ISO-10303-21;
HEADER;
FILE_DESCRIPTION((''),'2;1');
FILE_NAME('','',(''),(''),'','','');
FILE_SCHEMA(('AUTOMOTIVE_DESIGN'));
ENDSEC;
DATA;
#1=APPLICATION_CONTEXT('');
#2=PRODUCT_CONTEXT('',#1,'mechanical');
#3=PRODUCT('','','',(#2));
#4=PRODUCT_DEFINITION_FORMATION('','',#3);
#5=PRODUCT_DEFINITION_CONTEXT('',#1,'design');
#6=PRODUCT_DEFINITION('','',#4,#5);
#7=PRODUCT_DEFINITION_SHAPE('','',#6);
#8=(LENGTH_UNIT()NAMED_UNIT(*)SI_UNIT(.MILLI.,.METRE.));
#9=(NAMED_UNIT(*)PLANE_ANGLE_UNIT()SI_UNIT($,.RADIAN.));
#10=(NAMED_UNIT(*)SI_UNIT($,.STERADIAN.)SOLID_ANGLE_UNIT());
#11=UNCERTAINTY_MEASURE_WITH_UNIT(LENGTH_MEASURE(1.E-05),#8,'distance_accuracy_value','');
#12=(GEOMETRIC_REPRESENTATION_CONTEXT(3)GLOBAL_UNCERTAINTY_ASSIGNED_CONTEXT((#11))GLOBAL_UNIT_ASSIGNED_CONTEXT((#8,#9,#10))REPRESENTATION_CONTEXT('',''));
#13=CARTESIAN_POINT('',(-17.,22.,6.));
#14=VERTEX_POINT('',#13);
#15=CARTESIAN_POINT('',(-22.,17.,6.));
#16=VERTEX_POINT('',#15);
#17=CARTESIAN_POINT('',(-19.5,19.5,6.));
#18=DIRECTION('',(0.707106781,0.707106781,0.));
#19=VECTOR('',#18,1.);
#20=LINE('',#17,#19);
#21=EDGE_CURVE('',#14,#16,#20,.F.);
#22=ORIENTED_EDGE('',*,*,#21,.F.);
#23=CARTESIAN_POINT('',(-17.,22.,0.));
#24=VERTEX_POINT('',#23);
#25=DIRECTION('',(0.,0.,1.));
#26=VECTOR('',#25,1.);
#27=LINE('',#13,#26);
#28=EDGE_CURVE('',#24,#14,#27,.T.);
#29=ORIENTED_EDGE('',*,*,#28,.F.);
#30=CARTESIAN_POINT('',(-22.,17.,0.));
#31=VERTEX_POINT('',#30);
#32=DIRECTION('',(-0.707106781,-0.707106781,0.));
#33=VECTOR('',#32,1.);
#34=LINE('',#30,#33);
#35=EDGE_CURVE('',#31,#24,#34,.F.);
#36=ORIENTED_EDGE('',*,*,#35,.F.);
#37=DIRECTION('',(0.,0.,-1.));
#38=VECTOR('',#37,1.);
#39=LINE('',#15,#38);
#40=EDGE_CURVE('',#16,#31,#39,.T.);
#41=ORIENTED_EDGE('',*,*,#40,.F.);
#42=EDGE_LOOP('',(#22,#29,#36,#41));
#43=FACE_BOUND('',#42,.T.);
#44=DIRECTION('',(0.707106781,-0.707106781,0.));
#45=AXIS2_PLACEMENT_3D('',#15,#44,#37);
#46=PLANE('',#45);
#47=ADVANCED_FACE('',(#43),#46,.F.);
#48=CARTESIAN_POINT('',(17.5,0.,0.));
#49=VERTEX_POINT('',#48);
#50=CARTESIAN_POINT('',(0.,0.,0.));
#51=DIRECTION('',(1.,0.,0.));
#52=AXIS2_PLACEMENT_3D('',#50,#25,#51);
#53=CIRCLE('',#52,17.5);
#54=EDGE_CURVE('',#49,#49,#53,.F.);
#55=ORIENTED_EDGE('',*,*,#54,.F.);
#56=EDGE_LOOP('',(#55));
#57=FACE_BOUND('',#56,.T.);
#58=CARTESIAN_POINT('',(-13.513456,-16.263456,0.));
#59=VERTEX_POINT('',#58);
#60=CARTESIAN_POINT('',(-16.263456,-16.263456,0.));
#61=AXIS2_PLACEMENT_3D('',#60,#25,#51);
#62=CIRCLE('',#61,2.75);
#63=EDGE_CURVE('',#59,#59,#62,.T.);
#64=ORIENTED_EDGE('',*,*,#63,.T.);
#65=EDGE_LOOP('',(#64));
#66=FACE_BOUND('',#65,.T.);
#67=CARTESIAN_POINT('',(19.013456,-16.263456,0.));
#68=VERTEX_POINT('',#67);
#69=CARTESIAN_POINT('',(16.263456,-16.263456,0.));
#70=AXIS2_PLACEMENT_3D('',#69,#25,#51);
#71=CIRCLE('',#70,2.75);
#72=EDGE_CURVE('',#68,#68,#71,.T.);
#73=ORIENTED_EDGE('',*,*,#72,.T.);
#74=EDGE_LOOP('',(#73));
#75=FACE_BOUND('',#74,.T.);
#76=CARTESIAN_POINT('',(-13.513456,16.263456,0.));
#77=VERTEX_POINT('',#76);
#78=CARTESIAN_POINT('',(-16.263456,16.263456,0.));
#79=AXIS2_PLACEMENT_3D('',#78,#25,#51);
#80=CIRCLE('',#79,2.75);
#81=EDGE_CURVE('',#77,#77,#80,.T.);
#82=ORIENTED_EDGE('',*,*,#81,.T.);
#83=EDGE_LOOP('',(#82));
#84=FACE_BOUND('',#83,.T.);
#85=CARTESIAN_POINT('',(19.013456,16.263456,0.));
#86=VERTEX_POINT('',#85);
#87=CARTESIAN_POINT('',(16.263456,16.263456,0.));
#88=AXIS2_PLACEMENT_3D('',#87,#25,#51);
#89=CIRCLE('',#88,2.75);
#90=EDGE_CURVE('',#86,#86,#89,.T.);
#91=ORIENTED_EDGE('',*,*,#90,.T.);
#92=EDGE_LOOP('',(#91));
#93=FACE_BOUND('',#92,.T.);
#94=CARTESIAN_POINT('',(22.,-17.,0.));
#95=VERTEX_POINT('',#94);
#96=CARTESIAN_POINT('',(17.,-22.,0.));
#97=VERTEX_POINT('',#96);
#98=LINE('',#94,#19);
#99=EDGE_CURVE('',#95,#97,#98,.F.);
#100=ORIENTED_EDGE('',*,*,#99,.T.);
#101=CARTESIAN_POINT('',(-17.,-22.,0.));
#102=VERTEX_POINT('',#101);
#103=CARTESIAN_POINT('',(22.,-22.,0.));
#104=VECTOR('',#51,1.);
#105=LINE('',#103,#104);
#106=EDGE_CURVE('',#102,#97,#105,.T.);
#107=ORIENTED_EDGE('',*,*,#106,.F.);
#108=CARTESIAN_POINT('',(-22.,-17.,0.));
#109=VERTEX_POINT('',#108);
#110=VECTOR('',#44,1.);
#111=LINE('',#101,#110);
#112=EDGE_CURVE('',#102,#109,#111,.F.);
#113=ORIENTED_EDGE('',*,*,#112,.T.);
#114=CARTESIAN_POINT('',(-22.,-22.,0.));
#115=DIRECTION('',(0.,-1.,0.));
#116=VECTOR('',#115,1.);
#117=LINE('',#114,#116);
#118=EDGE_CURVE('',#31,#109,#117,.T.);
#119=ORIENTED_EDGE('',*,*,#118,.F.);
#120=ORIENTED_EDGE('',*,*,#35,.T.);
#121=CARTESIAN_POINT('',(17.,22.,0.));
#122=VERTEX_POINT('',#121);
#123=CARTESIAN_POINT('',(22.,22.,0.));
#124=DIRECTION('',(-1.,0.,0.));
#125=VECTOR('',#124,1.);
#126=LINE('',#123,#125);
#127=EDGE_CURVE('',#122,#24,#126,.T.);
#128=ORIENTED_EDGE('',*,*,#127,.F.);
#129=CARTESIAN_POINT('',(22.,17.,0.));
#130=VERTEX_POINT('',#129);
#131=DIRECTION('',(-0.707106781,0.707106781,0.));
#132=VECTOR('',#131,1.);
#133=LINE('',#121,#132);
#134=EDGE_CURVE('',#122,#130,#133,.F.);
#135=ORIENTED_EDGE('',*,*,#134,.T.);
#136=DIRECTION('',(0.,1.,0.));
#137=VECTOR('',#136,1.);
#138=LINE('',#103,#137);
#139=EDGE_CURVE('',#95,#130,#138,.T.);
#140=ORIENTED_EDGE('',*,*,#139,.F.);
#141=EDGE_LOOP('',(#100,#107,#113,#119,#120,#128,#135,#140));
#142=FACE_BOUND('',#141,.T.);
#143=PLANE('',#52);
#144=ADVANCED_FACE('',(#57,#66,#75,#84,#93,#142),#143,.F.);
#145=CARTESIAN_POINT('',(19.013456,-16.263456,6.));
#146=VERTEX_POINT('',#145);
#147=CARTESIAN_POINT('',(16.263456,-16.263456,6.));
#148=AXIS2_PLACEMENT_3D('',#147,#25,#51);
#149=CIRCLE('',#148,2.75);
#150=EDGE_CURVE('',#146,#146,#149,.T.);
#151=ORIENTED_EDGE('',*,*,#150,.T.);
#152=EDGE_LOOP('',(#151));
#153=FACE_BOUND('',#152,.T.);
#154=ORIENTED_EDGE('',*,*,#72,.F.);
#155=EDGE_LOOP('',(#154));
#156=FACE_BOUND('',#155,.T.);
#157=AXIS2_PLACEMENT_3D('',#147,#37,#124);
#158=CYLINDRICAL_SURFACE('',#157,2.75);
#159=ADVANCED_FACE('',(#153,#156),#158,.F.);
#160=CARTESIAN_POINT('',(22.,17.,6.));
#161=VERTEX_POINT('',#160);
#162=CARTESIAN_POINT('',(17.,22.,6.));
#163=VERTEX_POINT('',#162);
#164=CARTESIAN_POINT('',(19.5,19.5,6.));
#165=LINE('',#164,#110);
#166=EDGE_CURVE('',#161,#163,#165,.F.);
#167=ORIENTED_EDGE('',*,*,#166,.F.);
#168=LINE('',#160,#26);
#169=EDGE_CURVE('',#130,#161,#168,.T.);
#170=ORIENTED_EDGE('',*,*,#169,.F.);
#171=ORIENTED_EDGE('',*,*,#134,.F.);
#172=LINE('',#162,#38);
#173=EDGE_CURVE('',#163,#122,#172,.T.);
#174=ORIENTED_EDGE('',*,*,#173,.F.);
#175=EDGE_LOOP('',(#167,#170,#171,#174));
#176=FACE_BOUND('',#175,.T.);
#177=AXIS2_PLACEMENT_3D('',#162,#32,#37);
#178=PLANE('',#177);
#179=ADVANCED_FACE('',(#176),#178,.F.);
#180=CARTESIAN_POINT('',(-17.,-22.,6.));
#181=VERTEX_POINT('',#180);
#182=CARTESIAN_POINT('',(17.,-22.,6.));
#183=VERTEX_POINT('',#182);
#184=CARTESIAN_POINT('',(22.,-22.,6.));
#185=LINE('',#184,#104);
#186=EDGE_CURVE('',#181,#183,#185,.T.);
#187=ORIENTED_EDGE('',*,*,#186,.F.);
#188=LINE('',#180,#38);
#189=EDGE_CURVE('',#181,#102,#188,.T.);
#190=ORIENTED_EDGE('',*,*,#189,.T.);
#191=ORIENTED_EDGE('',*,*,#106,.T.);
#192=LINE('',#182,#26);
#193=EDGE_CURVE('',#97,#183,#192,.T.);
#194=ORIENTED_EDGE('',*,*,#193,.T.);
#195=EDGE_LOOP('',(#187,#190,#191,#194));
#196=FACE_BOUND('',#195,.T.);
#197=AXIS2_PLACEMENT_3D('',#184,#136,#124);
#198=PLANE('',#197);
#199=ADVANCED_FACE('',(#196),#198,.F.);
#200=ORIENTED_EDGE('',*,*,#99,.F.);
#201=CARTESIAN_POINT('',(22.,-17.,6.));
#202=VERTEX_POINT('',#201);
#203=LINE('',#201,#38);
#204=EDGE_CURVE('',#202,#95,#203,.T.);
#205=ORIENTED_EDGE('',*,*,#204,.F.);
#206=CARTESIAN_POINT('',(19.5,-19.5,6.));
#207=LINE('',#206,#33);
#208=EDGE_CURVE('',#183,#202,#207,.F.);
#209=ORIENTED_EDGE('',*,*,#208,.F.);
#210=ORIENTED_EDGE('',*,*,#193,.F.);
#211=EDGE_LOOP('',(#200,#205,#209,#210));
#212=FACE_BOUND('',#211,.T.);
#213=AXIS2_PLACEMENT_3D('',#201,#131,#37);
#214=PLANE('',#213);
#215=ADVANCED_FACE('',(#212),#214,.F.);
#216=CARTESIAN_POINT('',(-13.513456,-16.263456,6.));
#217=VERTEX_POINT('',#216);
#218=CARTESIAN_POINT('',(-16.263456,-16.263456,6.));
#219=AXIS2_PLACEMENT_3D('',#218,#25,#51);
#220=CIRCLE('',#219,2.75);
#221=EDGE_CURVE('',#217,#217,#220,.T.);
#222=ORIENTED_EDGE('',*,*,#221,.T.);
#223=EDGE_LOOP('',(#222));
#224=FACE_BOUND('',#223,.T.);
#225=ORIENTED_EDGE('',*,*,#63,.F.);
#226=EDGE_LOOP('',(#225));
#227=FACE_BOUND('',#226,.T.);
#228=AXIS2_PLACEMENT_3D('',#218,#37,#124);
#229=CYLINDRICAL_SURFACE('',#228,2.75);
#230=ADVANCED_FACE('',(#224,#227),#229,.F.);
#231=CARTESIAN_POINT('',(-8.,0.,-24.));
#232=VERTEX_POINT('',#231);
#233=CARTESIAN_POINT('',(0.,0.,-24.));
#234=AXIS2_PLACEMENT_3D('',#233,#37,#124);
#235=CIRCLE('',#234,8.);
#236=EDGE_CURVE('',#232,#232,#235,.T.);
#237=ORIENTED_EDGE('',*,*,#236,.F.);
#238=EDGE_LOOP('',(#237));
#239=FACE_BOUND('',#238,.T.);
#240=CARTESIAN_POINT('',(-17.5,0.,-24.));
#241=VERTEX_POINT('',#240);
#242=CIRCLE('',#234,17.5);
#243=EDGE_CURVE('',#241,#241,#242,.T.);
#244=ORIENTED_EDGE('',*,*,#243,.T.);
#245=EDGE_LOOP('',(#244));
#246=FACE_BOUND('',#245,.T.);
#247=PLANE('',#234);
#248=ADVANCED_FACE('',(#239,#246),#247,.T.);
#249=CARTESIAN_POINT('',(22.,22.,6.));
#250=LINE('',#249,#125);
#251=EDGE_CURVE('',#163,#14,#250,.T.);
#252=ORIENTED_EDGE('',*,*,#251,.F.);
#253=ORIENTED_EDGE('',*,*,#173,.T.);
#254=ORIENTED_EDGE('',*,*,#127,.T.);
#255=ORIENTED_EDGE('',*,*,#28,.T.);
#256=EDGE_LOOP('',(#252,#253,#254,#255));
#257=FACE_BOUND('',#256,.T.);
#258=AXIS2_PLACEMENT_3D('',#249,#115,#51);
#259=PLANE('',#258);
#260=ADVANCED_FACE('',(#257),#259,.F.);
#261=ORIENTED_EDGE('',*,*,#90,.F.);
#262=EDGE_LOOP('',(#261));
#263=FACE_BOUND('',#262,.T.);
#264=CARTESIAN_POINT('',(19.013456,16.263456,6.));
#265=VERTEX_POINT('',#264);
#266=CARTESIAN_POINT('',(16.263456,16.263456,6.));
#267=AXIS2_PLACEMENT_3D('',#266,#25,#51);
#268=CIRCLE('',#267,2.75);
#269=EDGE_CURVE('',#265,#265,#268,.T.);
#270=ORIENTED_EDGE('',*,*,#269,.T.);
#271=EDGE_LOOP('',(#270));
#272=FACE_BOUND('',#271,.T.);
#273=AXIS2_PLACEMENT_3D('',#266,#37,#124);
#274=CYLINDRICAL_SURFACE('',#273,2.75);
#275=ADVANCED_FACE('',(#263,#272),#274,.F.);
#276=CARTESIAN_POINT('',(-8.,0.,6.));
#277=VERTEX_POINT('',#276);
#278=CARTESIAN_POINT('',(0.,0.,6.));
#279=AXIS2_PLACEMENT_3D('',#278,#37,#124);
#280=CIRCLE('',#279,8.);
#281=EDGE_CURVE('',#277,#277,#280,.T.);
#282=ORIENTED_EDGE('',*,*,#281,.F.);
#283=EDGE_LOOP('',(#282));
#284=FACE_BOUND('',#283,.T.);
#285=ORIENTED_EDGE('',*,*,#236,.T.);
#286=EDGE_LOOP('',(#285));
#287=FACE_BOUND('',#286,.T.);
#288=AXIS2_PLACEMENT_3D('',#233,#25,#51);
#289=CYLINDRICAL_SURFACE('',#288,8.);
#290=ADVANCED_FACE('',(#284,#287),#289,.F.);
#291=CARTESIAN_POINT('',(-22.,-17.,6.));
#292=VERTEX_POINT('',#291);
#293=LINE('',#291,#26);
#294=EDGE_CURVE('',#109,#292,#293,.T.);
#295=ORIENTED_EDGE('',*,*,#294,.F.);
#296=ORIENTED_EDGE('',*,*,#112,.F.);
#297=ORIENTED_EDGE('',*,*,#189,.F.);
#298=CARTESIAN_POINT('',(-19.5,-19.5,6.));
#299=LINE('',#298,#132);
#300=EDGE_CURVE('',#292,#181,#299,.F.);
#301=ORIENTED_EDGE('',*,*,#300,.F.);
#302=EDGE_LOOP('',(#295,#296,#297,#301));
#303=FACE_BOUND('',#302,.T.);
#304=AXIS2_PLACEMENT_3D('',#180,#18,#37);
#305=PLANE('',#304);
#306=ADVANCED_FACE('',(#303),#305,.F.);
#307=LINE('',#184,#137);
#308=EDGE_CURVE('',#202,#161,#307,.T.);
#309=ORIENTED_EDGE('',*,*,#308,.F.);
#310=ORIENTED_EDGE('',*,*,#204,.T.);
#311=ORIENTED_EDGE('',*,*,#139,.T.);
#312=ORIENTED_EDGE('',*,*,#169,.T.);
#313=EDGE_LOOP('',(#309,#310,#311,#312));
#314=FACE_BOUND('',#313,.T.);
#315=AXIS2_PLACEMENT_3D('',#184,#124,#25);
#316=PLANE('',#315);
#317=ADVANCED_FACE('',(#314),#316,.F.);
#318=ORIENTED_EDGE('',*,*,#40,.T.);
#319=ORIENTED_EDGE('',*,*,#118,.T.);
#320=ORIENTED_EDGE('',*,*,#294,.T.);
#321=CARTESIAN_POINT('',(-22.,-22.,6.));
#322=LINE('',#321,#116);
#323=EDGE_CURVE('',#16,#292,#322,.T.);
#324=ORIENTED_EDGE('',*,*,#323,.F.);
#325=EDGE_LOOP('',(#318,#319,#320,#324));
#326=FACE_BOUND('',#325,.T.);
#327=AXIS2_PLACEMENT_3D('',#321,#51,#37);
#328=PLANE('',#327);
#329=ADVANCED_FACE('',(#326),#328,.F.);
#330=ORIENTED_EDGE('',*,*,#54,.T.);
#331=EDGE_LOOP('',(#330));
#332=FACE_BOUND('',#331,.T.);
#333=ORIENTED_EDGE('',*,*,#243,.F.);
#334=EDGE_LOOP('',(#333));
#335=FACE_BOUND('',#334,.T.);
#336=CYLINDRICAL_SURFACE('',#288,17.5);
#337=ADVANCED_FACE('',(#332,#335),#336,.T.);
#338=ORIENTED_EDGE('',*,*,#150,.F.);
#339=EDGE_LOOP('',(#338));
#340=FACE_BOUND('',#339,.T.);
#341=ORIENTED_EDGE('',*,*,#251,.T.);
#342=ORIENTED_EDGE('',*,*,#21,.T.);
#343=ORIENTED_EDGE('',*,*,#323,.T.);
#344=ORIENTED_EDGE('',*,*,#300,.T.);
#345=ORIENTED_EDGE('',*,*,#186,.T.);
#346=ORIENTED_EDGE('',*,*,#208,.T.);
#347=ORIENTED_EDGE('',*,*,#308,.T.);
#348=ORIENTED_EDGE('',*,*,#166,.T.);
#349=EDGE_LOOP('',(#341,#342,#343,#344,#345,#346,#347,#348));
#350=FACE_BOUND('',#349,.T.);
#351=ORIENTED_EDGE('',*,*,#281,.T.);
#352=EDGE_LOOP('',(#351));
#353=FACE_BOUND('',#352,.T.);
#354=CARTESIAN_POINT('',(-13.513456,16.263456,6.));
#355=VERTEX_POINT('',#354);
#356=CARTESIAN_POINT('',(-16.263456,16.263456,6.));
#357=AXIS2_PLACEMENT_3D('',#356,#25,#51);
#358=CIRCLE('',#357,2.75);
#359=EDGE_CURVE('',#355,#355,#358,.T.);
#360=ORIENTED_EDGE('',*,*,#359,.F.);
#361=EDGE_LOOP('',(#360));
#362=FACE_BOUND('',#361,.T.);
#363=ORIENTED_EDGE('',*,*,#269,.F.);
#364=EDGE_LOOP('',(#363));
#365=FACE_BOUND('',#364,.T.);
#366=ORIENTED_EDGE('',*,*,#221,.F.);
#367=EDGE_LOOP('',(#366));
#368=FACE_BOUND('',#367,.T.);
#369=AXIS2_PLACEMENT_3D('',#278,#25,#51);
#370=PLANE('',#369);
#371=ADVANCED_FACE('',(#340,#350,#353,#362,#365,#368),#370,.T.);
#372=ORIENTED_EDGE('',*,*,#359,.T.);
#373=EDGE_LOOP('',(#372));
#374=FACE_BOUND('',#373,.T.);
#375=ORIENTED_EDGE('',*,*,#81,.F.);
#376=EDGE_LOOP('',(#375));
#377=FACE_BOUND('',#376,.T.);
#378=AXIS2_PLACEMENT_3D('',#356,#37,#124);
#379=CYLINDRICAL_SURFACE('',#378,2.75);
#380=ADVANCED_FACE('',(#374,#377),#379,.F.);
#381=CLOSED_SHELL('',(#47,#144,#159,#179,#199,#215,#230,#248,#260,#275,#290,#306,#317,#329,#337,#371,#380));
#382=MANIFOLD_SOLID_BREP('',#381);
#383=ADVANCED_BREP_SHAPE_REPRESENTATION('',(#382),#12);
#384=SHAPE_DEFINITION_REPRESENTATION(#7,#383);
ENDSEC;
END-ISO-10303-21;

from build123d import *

# Parameters (mm, degrees)
SKETCH_1_W          = 44
SKETCH_1_H          = 44
SKETCH_1_R          = 2.75
EXTRUDE_1_DEPTH     = 6
CHAMFER_1_SIZE      = 5
SKETCH_2_R          = 17.5
SKETCH_2_R_2        = 8
EXTRUDE_2_DEPTH     = 24
SKETCH_3_R          = 8
CUT_EXTRUDE_1_DEPTH = 40.293765409


with BuildPart() as part:
    # 草图1 → 凸台-拉伸1 (new body)
    with BuildSketch(Plane.XY):
        Rectangle(SKETCH_1_W, SKETCH_1_H)
        with Locations((-16.263455967, 16.263455967)):
            Circle(SKETCH_1_R, mode=Mode.SUBTRACT)
        with Locations((16.263455967, 16.263455967)):
            Circle(SKETCH_1_R, mode=Mode.SUBTRACT)
        with Locations((16.263455967, -16.263455967)):
            Circle(SKETCH_1_R, mode=Mode.SUBTRACT)
        with Locations((-16.263455967, -16.263455967)):
            Circle(SKETCH_1_R, mode=Mode.SUBTRACT)
    extrude(amount=EXTRUDE_1_DEPTH)

    # 倒角1
    chamfer_1_edges = [part.edges().sort_by_distance(p)[0] for p in [
        (-22, 22, 3),
        (22, 22, 3),
        (22, -22, 3),
        (-22, -22, 3),
    ]]
    chamfer(chamfer_1_edges, length=CHAMFER_1_SIZE)

    # 草图2 → 凸台-拉伸2 (add)
    with BuildSketch(Plane(origin=(0, 0, 0), x_dir=(-1, 0, 0), z_dir=(0, 0, -1))):
        with Locations(Location((0, 0, 0), (0, 0, 180))):
            Circle(SKETCH_2_R)
        Circle(SKETCH_2_R_2, mode=Mode.SUBTRACT)
    extrude(amount=EXTRUDE_2_DEPTH)

    # 草图3 → 切除-拉伸1 (cut, through all)
    with BuildSketch(Plane(origin=(0, 0, 0), x_dir=(-1, 0, 0), z_dir=(0, 0, -1))):
        Circle(SKETCH_3_R)
    extrude(amount=-CUT_EXTRUDE_1_DEPTH, mode=Mode.SUBTRACT)


solid = part.part
